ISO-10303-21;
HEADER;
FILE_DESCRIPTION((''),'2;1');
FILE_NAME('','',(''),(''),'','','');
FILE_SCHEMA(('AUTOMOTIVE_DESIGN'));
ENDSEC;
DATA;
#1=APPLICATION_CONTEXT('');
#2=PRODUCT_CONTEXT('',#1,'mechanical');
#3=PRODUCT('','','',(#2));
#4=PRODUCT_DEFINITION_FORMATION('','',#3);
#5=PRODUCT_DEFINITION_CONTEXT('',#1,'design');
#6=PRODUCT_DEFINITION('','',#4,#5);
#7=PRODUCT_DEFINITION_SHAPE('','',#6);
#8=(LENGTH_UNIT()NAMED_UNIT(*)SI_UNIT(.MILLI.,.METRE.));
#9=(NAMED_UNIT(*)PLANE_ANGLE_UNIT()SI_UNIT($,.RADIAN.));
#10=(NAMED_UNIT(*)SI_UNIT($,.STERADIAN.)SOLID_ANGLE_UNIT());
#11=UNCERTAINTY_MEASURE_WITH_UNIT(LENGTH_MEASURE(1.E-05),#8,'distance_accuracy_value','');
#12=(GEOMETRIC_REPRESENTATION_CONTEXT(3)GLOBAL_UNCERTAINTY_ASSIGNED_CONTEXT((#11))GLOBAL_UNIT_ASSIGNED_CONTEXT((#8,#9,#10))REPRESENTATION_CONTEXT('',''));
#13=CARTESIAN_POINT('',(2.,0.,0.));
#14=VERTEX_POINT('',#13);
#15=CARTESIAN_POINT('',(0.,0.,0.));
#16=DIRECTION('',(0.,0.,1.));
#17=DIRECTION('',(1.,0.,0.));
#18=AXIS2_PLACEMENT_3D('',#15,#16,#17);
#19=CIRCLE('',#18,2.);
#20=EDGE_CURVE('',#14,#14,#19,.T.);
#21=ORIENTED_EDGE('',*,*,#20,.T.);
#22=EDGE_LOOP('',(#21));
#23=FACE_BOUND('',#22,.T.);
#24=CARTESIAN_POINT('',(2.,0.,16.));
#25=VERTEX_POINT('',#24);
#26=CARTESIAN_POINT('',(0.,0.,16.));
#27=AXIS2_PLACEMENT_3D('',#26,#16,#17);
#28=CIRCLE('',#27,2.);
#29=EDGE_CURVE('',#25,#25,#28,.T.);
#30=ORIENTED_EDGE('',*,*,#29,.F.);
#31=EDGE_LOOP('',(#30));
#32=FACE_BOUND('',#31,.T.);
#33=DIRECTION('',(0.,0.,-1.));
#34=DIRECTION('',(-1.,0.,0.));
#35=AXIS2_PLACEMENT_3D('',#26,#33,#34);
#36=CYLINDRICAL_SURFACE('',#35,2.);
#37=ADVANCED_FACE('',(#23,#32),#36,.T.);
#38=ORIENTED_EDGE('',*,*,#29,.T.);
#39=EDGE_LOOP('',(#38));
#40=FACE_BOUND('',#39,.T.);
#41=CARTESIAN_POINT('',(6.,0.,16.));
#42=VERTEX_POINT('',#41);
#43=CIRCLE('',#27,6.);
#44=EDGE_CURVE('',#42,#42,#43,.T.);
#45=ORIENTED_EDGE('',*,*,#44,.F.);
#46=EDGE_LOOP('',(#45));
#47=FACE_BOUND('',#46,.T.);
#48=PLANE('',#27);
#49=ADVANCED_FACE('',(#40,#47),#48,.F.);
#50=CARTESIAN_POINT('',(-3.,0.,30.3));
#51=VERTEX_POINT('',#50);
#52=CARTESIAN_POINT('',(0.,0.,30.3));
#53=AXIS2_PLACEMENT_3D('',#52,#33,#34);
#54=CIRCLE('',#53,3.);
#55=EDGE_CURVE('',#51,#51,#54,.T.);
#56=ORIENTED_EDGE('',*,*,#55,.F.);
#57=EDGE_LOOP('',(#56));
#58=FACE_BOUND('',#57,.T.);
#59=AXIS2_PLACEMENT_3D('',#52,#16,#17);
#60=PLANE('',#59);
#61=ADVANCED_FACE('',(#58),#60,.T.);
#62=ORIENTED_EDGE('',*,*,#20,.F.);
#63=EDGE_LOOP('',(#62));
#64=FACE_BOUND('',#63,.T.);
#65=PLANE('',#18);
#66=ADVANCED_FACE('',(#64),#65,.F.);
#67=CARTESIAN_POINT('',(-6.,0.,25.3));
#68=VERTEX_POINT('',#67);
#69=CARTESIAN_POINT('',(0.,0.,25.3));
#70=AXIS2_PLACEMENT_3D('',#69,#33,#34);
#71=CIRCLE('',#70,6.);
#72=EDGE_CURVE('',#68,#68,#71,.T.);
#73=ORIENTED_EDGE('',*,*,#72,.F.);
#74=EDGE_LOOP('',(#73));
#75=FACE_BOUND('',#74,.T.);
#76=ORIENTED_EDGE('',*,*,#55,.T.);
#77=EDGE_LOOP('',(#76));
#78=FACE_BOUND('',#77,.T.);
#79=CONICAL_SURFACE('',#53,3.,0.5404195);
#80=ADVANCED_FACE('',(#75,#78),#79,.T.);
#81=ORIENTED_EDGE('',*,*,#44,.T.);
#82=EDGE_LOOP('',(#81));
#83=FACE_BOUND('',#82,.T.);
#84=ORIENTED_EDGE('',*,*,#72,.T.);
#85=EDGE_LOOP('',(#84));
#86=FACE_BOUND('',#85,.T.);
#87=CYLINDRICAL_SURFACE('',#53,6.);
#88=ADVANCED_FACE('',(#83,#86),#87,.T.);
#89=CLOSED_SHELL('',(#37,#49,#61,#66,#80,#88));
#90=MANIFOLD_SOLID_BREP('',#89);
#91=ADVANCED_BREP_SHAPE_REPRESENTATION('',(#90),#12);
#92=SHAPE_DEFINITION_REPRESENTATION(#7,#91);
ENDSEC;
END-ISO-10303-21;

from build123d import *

# Parameters (mm, degrees)
SKETCH_1_R      = 2
EXTRUDE_1_DEPTH = 16
SKETCH_2_R      = 6
EXTRUDE_2_DEPTH = 14.3


with BuildPart() as part:
    # 草图1 → 凸台-拉伸1 (new body)
    with BuildSketch(Plane.XY):
        Circle(SKETCH_1_R)
    extrude(amount=EXTRUDE_1_DEPTH)

    # 草图2 → 凸台-拉伸2 (add)
    with BuildSketch(Plane.XY.offset(16)):
        Circle(SKETCH_2_R)
    extrude(amount=EXTRUDE_2_DEPTH)

    # 草图3 → 切除-旋转2 (revolve, cut)
    with BuildSketch(Plane(origin=(0, 0, 0), x_dir=(1, 0, 0), z_dir=(0, 1, 0))):
        Polygon((-3, -30.3), (-6, -25.3), (-6, -30.3), align=None)
    revolve(axis=Axis((0, 0, 0), (0, 0, 1)), mode=Mode.SUBTRACT)


solid = part.part
